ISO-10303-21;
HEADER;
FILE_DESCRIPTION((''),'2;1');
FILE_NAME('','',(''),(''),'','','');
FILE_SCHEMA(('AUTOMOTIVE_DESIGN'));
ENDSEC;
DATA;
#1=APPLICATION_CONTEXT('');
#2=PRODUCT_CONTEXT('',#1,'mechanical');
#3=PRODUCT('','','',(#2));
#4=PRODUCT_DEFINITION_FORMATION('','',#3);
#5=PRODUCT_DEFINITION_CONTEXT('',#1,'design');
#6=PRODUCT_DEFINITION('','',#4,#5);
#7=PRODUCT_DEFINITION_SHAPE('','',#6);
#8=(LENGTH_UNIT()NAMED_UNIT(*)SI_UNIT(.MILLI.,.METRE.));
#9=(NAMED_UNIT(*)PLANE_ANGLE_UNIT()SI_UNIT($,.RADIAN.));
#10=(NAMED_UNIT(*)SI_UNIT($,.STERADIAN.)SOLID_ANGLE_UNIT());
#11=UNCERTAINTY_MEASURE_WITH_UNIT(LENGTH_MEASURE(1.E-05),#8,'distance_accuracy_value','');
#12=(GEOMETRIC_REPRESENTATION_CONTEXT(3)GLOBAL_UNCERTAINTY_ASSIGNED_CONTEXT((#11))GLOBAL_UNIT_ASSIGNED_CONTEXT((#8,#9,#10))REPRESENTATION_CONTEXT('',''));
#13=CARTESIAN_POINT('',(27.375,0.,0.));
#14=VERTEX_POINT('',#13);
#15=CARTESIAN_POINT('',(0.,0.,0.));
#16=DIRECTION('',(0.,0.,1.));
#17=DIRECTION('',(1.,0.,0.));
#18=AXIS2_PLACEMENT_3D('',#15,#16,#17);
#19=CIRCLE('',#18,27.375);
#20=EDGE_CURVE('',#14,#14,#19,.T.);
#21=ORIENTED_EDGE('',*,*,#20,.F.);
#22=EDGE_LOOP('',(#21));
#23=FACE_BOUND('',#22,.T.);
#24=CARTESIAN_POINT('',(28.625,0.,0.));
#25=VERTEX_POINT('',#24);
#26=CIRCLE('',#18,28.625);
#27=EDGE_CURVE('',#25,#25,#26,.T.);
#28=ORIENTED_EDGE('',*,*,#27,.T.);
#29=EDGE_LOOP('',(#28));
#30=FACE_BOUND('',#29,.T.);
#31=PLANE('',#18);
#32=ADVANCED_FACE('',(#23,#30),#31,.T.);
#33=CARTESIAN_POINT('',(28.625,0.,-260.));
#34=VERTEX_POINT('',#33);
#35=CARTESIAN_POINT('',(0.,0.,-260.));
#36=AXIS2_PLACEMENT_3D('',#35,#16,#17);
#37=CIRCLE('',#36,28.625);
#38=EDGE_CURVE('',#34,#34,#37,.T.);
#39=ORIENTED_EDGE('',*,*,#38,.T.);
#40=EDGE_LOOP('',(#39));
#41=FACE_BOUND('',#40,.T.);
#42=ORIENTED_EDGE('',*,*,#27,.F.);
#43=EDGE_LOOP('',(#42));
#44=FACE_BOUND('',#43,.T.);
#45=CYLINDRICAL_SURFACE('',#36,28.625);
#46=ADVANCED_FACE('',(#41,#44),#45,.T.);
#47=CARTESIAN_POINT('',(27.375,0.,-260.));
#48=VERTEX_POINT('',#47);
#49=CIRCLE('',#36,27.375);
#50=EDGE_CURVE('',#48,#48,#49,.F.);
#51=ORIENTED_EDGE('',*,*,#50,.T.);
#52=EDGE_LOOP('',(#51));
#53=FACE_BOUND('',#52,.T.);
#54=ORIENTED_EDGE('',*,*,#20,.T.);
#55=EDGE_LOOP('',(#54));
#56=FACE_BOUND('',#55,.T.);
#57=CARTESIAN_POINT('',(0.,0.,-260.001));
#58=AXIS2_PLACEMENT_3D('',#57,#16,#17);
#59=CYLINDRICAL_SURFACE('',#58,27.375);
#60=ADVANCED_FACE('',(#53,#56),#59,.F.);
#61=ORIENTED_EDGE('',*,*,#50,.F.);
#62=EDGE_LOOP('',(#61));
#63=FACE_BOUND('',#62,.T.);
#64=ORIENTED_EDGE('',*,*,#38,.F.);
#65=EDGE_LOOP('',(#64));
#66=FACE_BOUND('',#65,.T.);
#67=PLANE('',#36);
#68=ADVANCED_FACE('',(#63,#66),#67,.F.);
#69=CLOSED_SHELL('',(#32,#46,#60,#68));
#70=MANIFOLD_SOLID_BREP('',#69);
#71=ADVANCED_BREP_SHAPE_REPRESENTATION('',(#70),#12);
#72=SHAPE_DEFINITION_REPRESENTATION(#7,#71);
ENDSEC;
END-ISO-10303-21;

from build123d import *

# Parameters (mm, degrees)
SKETCH1_R           = 28.625
BOSS_EXTRUDE1_DEPTH = 260
CUT_EXTRUDE1_REACH  = 262
SKETCH2_R           = 27.375


with BuildPart() as part:
    # Sketch1 → Boss-Extrude1 (new body)
    with BuildSketch(Plane.XY):
        Circle(SKETCH1_R)
    extrude(amount=-BOSS_EXTRUDE1_DEPTH)

    # Sketch2 → Cut-Extrude1 (cut, up to next)
    with BuildSketch(Plane.XY, mode=Mode.PRIVATE) as cut_extrude1_sk1:
        Circle(SKETCH2_R)
    cut_extrude1_tool1 = extrude(cut_extrude1_sk1.sketch, amount=-CUT_EXTRUDE1_REACH, mode=Mode.PRIVATE) & part.part
    add(cut_extrude1_tool1.solids().sort_by_distance((0, 0, 0))[0], mode=Mode.SUBTRACT)


solid = part.part
